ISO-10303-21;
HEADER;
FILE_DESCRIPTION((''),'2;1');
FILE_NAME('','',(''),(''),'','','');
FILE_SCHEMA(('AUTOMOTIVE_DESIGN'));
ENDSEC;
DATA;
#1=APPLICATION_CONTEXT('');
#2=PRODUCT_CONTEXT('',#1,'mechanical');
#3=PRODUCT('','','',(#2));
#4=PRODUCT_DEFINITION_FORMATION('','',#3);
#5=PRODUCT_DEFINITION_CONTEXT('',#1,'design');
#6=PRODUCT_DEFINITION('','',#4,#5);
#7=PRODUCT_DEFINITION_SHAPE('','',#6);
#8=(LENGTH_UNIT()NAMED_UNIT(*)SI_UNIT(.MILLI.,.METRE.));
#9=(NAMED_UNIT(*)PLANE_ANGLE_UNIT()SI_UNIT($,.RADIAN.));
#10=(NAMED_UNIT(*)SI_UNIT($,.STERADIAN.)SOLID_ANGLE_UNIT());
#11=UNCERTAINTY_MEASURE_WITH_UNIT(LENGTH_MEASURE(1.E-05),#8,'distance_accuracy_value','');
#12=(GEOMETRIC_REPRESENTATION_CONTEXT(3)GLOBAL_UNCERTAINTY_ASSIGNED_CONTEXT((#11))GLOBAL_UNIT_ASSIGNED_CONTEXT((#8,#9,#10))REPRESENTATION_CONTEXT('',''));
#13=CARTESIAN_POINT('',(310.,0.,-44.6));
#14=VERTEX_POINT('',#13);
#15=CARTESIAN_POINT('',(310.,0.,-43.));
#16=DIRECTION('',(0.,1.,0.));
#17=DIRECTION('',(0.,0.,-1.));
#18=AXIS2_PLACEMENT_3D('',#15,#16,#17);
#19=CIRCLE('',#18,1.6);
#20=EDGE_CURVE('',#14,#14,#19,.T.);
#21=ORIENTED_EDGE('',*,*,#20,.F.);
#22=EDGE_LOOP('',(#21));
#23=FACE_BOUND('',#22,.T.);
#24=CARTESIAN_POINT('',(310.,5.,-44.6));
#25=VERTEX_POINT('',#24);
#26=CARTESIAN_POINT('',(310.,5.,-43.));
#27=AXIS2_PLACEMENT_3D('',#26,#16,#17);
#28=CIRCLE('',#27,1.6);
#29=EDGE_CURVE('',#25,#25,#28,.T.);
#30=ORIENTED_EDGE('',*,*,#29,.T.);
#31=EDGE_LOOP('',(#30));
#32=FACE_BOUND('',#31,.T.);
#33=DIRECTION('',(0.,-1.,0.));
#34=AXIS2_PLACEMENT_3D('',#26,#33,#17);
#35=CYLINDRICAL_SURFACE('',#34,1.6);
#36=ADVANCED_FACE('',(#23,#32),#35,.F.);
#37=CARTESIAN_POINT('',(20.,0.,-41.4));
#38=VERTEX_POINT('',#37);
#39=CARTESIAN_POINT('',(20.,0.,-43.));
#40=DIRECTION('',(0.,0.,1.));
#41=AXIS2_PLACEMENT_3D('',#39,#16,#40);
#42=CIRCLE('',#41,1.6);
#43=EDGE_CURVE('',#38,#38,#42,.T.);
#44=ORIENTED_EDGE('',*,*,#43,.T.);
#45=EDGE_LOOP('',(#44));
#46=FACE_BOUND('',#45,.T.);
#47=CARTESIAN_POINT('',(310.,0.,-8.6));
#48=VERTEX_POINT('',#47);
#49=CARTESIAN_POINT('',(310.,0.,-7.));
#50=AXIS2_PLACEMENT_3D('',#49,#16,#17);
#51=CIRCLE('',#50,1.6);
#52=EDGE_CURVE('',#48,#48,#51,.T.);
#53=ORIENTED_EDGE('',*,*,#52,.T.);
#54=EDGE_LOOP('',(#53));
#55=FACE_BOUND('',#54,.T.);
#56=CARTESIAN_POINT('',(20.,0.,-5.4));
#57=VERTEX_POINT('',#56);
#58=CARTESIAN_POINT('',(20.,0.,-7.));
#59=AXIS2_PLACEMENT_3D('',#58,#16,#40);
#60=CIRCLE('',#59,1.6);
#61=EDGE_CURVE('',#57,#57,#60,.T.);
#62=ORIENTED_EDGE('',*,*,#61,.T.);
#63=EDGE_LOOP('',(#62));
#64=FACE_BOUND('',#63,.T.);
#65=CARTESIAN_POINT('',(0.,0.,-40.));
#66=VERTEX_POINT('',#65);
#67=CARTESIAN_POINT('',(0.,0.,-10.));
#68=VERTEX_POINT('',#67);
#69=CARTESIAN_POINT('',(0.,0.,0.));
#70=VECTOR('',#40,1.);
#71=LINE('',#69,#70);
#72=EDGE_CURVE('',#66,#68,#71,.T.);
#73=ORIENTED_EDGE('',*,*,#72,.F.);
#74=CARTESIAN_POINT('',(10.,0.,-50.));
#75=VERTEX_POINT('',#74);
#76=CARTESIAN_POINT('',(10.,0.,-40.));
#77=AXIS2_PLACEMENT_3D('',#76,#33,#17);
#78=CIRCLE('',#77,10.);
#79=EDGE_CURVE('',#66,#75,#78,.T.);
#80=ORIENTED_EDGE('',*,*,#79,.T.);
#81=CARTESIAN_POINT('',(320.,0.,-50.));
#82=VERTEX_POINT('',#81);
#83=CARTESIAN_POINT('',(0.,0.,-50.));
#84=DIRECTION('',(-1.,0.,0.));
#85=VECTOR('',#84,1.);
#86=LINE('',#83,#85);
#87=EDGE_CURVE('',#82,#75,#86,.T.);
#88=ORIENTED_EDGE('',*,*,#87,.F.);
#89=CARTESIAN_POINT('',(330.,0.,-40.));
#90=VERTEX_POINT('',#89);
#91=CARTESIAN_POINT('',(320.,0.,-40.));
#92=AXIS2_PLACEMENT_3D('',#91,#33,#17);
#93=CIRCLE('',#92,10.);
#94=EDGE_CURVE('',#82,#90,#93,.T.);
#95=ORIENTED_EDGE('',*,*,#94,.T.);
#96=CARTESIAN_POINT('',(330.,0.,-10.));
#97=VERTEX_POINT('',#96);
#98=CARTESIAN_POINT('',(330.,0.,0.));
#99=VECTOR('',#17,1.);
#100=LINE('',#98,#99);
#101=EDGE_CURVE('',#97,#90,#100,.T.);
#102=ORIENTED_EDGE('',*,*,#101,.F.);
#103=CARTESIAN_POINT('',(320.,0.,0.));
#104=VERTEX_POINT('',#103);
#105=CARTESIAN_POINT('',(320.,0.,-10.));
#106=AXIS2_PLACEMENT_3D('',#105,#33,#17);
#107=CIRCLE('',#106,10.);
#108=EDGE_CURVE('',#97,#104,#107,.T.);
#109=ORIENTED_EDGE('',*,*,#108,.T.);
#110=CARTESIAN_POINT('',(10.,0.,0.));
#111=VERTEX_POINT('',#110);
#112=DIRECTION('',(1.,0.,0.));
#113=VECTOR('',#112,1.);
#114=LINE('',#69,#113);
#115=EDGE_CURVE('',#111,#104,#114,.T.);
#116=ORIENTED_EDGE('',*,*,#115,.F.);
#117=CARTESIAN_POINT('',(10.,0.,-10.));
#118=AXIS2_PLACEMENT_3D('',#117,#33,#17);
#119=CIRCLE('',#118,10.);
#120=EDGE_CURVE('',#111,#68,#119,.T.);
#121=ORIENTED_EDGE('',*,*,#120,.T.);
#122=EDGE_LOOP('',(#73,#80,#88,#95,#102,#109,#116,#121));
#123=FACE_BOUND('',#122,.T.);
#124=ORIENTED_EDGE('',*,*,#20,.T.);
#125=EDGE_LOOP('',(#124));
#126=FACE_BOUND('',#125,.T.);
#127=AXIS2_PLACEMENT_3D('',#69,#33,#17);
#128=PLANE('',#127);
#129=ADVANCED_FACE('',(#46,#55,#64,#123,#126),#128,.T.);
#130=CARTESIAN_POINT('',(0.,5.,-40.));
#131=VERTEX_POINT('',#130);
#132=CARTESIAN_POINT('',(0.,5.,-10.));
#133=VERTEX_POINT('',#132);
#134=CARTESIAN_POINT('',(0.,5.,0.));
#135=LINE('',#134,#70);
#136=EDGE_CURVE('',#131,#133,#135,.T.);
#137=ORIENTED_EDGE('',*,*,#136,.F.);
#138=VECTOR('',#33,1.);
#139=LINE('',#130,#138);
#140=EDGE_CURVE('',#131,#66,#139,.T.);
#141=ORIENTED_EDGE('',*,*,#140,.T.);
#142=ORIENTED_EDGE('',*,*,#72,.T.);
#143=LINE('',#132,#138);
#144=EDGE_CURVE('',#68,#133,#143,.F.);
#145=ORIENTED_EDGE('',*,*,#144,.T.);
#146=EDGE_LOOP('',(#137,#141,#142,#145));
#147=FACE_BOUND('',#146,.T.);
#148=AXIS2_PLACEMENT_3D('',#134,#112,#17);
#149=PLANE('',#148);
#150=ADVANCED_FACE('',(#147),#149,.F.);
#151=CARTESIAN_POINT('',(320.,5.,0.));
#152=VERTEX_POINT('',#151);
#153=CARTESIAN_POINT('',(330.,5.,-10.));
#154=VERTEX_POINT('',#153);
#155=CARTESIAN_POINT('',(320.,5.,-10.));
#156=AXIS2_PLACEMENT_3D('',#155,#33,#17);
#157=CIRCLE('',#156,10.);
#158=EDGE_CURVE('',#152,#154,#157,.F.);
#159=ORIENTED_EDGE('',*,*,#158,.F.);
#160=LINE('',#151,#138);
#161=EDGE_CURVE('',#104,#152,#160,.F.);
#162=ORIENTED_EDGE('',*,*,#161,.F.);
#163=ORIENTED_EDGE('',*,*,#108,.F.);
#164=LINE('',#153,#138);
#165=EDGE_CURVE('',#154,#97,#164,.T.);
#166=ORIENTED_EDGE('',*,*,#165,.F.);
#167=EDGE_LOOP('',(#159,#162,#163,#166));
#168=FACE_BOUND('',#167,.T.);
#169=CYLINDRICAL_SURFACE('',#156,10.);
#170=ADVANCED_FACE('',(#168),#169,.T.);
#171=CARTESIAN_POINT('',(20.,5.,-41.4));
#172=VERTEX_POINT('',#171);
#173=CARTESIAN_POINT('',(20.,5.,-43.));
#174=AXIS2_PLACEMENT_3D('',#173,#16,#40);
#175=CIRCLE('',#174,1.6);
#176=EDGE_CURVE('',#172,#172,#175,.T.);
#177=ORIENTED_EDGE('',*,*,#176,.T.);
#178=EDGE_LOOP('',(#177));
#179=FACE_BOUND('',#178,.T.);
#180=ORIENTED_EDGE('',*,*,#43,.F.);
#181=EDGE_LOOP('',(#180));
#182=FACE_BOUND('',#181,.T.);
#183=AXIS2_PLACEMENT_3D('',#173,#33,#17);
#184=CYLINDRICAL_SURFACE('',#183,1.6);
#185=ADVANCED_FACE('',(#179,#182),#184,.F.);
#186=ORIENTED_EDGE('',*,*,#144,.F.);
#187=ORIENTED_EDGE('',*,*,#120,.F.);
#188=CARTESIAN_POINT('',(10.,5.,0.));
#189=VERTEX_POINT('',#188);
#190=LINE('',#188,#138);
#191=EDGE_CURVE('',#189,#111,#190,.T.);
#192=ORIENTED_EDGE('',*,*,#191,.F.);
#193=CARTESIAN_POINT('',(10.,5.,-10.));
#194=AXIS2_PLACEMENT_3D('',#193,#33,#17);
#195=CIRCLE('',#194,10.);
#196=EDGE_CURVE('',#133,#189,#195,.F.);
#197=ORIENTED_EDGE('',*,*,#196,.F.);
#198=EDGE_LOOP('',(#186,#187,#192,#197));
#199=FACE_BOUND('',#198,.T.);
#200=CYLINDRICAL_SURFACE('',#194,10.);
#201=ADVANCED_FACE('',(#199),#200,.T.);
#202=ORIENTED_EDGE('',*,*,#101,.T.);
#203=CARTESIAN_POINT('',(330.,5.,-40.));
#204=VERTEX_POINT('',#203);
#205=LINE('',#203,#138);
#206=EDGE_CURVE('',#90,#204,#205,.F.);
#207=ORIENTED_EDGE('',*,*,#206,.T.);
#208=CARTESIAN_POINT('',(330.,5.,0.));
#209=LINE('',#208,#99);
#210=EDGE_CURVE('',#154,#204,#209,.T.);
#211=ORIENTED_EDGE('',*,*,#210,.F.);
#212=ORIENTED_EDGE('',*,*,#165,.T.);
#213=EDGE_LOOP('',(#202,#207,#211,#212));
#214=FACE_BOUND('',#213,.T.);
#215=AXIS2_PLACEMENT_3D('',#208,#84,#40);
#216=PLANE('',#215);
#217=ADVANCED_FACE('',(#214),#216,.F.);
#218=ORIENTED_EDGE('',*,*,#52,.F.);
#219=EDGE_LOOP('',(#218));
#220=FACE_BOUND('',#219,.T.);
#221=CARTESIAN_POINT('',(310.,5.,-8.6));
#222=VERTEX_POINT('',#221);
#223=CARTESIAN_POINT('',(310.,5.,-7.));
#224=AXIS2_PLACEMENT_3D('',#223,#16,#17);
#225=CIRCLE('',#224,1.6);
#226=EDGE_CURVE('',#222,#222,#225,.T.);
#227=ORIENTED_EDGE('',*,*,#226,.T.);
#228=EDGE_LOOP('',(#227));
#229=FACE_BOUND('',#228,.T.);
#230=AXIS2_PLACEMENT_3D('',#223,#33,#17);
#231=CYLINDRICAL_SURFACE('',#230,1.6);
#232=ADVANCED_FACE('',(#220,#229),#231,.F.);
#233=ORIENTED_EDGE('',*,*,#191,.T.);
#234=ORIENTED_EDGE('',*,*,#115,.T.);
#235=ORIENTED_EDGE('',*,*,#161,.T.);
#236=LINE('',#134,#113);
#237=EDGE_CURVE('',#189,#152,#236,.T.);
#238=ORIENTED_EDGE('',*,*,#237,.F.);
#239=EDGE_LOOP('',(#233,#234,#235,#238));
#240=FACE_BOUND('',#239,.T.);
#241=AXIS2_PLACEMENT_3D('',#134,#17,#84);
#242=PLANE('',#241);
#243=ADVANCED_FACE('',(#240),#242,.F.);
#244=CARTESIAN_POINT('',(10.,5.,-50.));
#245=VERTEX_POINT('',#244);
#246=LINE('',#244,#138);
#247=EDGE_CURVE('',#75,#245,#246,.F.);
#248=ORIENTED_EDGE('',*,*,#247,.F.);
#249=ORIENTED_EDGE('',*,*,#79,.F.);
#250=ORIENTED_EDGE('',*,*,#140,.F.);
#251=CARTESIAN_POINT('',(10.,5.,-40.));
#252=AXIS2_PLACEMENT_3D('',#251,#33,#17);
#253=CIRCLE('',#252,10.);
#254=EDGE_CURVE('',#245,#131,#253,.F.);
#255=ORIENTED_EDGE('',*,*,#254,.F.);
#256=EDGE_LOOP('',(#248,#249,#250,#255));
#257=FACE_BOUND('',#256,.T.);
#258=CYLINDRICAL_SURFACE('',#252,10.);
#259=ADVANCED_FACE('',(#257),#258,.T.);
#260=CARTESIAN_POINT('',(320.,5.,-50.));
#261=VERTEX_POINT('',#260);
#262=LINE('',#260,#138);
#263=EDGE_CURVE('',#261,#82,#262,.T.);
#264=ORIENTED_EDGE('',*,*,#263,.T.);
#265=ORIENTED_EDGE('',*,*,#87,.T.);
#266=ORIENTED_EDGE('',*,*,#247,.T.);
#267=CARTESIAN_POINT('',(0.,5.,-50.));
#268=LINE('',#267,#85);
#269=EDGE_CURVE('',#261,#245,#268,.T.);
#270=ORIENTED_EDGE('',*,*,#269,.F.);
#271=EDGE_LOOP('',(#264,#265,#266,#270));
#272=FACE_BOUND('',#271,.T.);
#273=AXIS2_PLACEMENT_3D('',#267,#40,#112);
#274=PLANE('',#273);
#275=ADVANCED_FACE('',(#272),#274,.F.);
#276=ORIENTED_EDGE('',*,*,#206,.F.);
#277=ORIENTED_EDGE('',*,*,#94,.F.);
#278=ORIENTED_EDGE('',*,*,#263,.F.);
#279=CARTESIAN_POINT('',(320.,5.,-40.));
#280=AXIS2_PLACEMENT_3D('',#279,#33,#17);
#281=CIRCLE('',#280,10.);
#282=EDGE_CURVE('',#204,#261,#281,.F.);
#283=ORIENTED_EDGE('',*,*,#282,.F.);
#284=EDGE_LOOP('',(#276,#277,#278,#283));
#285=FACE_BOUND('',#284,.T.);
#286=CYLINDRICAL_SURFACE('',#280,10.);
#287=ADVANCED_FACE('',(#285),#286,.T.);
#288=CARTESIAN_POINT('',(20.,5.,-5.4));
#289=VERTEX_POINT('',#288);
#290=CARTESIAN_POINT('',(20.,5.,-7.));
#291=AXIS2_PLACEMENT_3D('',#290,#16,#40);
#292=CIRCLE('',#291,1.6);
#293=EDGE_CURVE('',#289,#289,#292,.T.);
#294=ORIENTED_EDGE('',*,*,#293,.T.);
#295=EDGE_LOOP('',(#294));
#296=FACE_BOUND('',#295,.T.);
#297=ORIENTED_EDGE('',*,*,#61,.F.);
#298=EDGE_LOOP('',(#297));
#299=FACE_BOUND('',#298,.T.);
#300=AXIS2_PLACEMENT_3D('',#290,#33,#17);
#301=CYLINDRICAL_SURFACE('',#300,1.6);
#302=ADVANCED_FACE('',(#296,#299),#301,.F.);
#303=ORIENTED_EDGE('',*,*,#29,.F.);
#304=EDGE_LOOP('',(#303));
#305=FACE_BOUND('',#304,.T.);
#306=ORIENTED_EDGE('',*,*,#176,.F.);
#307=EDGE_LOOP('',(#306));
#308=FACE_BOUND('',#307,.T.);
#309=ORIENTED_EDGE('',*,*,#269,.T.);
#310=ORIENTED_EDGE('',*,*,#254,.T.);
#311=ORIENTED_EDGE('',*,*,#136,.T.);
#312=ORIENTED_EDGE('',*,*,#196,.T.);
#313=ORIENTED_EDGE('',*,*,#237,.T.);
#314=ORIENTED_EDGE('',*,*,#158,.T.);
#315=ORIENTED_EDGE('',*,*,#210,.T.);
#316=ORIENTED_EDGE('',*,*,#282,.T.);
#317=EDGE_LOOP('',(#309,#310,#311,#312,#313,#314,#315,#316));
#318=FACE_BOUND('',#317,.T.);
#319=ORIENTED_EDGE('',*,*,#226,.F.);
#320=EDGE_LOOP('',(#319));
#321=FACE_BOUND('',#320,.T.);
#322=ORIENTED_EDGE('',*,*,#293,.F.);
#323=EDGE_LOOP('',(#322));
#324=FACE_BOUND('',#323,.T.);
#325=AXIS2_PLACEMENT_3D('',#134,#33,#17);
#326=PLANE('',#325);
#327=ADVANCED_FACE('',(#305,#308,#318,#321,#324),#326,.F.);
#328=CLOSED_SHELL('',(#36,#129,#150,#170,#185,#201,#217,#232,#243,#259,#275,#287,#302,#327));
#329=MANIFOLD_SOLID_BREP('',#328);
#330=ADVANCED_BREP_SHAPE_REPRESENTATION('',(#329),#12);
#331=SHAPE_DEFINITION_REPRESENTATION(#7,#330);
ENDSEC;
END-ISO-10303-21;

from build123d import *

# Parameters (mm, degrees)
SKETCH1_W           = 330
SKETCH1_H           = 50
SKETCH1_R           = 1.6
BOSS_EXTRUDE1_DEPTH = 5
FILLET1_R           = 10


with BuildPart() as part:
    # Sketch1 → Boss-Extrude1 (new body)
    with BuildSketch(Plane(origin=(0, 0, 0), x_dir=(1, 0, 0), z_dir=(0, 1, 0))):
        with Locations((165, 25)):
            Rectangle(SKETCH1_W, SKETCH1_H)
        with Locations(Location((20, 43, 0), (0, 0, 270))):
            Circle(SKETCH1_R, mode=Mode.SUBTRACT)
        with Locations(Location((20, 7, 0), (0, 0, 270))):
            Circle(SKETCH1_R, mode=Mode.SUBTRACT)
        with Locations(Location((310, 7, 0), (0, 0, 90))):
            Circle(SKETCH1_R, mode=Mode.SUBTRACT)
        with Locations(Location((310, 43, 0), (0, 0, 90))):
            Circle(SKETCH1_R, mode=Mode.SUBTRACT)
    extrude(amount=BOSS_EXTRUDE1_DEPTH)

    # Fillet1
    fillet1_edges = [part.edges().sort_by_distance(p)[0] for p in [
        (0, 2.5, -50),
        (330, 2.5, -50),
        (330, 2.5, 0),
        (0, 2.5, 0),
    ]]
    fillet(fillet1_edges, radius=FILLET1_R)


solid = part.part
